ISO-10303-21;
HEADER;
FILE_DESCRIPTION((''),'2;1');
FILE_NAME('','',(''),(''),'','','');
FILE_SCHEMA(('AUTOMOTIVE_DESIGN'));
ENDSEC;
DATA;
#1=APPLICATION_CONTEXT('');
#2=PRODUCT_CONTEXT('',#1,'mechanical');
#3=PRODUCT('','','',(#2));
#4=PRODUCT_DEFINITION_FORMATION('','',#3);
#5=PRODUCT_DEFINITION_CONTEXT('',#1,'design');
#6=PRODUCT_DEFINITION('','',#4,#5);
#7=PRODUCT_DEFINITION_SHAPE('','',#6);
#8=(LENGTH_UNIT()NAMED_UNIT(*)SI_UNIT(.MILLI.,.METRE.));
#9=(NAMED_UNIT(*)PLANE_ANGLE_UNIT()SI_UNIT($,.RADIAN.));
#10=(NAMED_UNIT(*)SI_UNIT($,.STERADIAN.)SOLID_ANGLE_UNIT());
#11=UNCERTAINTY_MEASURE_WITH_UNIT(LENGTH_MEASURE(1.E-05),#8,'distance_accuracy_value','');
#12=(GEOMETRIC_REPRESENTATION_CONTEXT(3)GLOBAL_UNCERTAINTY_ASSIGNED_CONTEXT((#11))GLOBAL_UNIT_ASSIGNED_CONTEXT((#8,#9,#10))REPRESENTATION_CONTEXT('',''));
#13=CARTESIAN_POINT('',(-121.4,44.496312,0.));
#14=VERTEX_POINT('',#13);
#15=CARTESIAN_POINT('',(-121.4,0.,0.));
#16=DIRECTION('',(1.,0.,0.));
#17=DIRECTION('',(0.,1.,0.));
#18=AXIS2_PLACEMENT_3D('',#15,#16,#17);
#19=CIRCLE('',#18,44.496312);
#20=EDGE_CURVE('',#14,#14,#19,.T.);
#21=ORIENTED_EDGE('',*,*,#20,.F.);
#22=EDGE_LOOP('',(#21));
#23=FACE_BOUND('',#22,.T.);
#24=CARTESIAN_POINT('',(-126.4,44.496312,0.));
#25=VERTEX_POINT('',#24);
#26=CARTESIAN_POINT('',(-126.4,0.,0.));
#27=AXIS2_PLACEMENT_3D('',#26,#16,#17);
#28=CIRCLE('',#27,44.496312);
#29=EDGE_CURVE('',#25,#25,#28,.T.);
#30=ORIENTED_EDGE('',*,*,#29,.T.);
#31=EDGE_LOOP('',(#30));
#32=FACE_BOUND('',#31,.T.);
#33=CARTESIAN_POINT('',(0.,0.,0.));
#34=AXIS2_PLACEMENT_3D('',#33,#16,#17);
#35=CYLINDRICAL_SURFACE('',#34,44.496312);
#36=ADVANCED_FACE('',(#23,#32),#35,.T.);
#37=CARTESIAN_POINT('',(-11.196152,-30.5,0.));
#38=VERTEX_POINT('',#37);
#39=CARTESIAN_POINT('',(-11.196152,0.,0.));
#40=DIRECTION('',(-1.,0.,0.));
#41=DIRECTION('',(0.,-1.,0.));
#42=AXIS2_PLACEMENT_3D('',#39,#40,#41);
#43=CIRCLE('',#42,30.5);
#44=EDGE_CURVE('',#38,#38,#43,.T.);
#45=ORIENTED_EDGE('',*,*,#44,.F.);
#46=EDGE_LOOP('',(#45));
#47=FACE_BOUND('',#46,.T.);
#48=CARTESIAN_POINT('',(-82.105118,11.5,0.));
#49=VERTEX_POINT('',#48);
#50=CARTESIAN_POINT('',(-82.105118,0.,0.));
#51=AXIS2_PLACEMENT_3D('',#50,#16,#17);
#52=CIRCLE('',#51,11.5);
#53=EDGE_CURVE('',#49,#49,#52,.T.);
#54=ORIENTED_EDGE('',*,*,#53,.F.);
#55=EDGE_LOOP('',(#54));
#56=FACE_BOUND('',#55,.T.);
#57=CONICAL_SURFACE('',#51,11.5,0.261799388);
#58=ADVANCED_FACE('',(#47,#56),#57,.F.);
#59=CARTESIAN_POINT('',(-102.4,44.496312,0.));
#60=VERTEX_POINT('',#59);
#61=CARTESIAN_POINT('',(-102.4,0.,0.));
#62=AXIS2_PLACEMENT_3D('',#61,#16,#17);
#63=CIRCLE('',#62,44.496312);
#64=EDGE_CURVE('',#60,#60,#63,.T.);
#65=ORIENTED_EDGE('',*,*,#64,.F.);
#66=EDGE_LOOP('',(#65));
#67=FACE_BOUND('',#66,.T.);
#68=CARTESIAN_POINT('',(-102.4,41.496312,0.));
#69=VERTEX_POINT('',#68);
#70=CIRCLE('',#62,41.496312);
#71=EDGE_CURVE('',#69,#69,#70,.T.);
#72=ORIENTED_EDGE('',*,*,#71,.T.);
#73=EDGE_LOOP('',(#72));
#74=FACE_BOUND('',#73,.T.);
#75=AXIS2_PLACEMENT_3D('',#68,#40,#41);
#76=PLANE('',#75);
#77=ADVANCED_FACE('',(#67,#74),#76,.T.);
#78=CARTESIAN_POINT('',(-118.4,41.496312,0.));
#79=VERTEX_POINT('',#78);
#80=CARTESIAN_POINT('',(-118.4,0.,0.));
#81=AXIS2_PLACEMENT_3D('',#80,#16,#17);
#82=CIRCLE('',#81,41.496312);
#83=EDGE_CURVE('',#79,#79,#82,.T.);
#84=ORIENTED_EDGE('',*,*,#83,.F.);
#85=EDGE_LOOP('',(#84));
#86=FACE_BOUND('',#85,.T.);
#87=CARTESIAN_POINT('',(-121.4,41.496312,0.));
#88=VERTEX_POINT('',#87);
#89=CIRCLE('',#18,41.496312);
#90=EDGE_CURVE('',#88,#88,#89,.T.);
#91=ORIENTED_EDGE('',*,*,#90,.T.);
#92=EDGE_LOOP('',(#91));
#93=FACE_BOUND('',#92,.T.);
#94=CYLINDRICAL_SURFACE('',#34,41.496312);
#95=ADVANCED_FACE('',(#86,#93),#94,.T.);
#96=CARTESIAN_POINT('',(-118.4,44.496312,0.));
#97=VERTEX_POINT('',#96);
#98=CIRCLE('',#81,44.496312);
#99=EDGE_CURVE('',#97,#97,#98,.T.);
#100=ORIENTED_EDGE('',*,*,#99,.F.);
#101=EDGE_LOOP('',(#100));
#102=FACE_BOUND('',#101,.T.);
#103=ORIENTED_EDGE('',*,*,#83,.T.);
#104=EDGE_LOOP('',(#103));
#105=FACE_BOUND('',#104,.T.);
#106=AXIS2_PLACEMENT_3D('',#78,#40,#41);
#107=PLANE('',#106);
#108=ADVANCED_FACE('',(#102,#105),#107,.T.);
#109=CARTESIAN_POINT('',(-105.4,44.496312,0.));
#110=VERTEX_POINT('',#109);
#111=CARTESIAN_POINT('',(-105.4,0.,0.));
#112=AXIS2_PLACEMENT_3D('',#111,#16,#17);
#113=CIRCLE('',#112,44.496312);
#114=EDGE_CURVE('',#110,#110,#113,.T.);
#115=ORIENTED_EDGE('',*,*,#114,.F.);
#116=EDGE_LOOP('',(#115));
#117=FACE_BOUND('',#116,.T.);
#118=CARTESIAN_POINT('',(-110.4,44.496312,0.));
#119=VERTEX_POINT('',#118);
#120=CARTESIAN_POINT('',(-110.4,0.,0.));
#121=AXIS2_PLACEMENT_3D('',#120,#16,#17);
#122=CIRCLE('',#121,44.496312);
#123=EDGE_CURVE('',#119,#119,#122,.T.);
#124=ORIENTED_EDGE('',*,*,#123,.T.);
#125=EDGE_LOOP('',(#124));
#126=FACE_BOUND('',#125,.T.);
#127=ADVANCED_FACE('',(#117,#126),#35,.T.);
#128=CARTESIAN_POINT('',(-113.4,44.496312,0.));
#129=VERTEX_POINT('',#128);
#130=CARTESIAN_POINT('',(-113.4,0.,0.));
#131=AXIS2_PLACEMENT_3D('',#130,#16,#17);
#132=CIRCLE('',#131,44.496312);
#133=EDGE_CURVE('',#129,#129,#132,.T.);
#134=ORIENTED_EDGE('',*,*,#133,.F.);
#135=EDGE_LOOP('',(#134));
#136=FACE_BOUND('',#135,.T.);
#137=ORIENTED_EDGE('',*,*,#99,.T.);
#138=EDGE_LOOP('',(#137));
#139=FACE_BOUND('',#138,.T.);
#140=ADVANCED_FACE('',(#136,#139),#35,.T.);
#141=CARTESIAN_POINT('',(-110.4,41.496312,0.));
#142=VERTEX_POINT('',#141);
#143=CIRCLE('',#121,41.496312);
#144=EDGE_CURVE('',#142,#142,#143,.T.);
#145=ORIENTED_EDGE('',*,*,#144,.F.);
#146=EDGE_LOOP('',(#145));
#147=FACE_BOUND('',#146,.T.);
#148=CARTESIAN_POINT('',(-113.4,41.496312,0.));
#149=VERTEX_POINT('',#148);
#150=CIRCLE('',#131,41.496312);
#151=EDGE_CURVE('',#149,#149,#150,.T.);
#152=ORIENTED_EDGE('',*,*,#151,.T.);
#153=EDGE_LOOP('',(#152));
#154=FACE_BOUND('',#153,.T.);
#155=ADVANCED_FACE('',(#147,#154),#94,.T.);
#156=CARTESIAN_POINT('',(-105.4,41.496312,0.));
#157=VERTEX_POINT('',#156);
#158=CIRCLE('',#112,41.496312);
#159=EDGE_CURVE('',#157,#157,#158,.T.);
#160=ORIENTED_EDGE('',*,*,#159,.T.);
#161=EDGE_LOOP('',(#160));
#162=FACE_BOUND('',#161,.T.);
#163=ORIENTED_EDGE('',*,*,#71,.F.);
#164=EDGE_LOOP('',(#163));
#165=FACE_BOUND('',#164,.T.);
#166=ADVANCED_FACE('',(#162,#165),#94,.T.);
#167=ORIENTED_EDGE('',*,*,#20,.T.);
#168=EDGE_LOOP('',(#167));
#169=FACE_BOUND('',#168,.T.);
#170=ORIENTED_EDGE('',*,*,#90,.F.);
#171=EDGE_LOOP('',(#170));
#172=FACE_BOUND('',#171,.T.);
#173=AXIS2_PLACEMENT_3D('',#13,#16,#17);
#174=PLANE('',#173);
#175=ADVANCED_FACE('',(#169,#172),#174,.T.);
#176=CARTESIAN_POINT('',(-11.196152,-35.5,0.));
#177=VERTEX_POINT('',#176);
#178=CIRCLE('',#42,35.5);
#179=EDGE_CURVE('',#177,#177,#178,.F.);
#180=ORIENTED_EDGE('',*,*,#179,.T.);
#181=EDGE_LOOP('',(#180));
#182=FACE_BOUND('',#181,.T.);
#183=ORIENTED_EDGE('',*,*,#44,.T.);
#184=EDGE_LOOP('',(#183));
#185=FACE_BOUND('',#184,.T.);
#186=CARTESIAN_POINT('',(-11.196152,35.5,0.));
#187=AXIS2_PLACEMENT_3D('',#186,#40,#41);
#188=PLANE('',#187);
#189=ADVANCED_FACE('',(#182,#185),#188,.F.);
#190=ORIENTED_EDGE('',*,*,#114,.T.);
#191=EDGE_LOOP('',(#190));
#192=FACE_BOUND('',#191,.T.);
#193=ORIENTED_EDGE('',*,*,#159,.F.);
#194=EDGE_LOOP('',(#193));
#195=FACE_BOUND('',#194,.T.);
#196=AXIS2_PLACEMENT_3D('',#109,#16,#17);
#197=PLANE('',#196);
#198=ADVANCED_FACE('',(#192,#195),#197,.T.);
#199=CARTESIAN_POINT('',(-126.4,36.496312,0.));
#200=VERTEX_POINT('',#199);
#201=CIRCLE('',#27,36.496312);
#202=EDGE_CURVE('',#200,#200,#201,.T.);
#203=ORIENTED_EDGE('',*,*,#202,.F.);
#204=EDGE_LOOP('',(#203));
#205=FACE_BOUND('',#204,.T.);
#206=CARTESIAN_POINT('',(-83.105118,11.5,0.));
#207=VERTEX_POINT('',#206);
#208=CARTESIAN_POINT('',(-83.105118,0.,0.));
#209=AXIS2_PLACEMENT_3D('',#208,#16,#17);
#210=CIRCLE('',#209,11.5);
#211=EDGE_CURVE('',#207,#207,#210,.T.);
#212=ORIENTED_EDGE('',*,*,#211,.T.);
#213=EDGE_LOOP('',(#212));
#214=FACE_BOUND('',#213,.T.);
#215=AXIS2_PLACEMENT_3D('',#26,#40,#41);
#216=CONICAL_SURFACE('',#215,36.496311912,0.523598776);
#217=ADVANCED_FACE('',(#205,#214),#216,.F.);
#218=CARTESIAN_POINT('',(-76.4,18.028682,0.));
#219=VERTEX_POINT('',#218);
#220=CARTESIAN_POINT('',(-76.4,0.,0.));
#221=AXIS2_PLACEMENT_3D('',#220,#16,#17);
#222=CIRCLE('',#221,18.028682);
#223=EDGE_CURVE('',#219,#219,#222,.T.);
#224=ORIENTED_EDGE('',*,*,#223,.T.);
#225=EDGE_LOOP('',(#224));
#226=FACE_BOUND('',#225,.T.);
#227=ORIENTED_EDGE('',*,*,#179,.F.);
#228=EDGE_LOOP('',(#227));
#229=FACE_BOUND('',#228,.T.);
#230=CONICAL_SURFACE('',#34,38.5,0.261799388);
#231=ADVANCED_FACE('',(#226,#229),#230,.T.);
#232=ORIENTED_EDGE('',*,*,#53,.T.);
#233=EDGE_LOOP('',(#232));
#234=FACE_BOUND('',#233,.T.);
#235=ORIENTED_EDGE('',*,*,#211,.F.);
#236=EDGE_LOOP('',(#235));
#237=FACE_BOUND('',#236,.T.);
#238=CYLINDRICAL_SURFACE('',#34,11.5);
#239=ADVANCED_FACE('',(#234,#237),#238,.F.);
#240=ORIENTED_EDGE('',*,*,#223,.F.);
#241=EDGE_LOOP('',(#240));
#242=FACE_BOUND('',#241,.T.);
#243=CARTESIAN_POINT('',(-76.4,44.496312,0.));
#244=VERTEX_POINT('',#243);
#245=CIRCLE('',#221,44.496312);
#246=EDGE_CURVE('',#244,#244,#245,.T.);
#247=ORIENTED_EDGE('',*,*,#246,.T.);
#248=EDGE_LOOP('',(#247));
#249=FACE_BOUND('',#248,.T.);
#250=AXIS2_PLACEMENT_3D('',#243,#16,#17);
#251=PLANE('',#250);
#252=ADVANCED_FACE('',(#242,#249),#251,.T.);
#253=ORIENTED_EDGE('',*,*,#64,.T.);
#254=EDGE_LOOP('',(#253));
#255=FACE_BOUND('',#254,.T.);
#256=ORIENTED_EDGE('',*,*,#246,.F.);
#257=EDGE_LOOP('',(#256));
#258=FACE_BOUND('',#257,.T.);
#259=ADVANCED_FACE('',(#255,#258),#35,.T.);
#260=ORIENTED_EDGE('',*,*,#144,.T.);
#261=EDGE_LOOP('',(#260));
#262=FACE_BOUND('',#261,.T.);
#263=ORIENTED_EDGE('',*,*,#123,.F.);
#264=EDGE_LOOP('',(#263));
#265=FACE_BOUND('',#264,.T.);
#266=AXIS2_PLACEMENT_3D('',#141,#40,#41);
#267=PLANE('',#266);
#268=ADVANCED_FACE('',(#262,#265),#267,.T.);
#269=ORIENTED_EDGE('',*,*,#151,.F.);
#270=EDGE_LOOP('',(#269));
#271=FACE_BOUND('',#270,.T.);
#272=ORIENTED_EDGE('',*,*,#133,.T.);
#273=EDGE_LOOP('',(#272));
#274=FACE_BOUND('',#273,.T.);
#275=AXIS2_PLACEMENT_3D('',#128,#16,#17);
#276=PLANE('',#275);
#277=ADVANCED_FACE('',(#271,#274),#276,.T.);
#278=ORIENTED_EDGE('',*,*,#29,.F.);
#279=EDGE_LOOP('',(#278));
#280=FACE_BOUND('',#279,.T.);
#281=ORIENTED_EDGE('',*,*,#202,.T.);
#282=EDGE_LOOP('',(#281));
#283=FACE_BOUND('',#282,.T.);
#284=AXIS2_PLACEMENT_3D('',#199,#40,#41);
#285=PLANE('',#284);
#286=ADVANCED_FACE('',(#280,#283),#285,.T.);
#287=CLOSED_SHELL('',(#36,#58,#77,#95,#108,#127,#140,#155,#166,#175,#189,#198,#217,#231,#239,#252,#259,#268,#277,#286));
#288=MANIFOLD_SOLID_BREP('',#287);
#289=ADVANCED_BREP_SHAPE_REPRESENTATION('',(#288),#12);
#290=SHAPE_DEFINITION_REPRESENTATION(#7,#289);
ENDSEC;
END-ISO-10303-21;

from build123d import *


with BuildPart() as part:
    # Sketch1 → Revolve1 (revolve)
    with BuildSketch(Plane.XY):
        Polygon((-82.105117767, 11.5), (0, 33.5), (0, 38.5), (-76.4, 18.028681698), (-76.4, 44.496311912), (-102.4, 44.496311912), (-102.4, 41.496311912), (-105.4, 41.496311912), (-105.4, 44.496311912), (-110.4, 44.496311912), (-110.4, 41.496311912), (-113.4, 41.496311912), (-113.4, 44.496311912), (-118.4, 44.496311912), (-118.4, 41.496311912), (-121.4, 41.496311912), (-121.4, 44.496311912), (-126.4, 44.496311912), (-126.4, 36.496311912), (-83.105117767, 11.5), align=None)
    revolve(axis=Axis((0, 0, 0), (-1, 0, 0)))

    # Sketch2 → Cut-Revolve1 (revolve, cut)
    with BuildSketch(Plane.XY):
        Polygon((-11.196152423, 0), (-11.196152423, 35.5), (-11.196152423, 56.271944123), (14.531335426, 56.271944123), (14.531335426, 0), align=None)
    revolve(axis=Axis((0, 0, 0), (-1, 0, 0)), mode=Mode.SUBTRACT)


solid = part.part
